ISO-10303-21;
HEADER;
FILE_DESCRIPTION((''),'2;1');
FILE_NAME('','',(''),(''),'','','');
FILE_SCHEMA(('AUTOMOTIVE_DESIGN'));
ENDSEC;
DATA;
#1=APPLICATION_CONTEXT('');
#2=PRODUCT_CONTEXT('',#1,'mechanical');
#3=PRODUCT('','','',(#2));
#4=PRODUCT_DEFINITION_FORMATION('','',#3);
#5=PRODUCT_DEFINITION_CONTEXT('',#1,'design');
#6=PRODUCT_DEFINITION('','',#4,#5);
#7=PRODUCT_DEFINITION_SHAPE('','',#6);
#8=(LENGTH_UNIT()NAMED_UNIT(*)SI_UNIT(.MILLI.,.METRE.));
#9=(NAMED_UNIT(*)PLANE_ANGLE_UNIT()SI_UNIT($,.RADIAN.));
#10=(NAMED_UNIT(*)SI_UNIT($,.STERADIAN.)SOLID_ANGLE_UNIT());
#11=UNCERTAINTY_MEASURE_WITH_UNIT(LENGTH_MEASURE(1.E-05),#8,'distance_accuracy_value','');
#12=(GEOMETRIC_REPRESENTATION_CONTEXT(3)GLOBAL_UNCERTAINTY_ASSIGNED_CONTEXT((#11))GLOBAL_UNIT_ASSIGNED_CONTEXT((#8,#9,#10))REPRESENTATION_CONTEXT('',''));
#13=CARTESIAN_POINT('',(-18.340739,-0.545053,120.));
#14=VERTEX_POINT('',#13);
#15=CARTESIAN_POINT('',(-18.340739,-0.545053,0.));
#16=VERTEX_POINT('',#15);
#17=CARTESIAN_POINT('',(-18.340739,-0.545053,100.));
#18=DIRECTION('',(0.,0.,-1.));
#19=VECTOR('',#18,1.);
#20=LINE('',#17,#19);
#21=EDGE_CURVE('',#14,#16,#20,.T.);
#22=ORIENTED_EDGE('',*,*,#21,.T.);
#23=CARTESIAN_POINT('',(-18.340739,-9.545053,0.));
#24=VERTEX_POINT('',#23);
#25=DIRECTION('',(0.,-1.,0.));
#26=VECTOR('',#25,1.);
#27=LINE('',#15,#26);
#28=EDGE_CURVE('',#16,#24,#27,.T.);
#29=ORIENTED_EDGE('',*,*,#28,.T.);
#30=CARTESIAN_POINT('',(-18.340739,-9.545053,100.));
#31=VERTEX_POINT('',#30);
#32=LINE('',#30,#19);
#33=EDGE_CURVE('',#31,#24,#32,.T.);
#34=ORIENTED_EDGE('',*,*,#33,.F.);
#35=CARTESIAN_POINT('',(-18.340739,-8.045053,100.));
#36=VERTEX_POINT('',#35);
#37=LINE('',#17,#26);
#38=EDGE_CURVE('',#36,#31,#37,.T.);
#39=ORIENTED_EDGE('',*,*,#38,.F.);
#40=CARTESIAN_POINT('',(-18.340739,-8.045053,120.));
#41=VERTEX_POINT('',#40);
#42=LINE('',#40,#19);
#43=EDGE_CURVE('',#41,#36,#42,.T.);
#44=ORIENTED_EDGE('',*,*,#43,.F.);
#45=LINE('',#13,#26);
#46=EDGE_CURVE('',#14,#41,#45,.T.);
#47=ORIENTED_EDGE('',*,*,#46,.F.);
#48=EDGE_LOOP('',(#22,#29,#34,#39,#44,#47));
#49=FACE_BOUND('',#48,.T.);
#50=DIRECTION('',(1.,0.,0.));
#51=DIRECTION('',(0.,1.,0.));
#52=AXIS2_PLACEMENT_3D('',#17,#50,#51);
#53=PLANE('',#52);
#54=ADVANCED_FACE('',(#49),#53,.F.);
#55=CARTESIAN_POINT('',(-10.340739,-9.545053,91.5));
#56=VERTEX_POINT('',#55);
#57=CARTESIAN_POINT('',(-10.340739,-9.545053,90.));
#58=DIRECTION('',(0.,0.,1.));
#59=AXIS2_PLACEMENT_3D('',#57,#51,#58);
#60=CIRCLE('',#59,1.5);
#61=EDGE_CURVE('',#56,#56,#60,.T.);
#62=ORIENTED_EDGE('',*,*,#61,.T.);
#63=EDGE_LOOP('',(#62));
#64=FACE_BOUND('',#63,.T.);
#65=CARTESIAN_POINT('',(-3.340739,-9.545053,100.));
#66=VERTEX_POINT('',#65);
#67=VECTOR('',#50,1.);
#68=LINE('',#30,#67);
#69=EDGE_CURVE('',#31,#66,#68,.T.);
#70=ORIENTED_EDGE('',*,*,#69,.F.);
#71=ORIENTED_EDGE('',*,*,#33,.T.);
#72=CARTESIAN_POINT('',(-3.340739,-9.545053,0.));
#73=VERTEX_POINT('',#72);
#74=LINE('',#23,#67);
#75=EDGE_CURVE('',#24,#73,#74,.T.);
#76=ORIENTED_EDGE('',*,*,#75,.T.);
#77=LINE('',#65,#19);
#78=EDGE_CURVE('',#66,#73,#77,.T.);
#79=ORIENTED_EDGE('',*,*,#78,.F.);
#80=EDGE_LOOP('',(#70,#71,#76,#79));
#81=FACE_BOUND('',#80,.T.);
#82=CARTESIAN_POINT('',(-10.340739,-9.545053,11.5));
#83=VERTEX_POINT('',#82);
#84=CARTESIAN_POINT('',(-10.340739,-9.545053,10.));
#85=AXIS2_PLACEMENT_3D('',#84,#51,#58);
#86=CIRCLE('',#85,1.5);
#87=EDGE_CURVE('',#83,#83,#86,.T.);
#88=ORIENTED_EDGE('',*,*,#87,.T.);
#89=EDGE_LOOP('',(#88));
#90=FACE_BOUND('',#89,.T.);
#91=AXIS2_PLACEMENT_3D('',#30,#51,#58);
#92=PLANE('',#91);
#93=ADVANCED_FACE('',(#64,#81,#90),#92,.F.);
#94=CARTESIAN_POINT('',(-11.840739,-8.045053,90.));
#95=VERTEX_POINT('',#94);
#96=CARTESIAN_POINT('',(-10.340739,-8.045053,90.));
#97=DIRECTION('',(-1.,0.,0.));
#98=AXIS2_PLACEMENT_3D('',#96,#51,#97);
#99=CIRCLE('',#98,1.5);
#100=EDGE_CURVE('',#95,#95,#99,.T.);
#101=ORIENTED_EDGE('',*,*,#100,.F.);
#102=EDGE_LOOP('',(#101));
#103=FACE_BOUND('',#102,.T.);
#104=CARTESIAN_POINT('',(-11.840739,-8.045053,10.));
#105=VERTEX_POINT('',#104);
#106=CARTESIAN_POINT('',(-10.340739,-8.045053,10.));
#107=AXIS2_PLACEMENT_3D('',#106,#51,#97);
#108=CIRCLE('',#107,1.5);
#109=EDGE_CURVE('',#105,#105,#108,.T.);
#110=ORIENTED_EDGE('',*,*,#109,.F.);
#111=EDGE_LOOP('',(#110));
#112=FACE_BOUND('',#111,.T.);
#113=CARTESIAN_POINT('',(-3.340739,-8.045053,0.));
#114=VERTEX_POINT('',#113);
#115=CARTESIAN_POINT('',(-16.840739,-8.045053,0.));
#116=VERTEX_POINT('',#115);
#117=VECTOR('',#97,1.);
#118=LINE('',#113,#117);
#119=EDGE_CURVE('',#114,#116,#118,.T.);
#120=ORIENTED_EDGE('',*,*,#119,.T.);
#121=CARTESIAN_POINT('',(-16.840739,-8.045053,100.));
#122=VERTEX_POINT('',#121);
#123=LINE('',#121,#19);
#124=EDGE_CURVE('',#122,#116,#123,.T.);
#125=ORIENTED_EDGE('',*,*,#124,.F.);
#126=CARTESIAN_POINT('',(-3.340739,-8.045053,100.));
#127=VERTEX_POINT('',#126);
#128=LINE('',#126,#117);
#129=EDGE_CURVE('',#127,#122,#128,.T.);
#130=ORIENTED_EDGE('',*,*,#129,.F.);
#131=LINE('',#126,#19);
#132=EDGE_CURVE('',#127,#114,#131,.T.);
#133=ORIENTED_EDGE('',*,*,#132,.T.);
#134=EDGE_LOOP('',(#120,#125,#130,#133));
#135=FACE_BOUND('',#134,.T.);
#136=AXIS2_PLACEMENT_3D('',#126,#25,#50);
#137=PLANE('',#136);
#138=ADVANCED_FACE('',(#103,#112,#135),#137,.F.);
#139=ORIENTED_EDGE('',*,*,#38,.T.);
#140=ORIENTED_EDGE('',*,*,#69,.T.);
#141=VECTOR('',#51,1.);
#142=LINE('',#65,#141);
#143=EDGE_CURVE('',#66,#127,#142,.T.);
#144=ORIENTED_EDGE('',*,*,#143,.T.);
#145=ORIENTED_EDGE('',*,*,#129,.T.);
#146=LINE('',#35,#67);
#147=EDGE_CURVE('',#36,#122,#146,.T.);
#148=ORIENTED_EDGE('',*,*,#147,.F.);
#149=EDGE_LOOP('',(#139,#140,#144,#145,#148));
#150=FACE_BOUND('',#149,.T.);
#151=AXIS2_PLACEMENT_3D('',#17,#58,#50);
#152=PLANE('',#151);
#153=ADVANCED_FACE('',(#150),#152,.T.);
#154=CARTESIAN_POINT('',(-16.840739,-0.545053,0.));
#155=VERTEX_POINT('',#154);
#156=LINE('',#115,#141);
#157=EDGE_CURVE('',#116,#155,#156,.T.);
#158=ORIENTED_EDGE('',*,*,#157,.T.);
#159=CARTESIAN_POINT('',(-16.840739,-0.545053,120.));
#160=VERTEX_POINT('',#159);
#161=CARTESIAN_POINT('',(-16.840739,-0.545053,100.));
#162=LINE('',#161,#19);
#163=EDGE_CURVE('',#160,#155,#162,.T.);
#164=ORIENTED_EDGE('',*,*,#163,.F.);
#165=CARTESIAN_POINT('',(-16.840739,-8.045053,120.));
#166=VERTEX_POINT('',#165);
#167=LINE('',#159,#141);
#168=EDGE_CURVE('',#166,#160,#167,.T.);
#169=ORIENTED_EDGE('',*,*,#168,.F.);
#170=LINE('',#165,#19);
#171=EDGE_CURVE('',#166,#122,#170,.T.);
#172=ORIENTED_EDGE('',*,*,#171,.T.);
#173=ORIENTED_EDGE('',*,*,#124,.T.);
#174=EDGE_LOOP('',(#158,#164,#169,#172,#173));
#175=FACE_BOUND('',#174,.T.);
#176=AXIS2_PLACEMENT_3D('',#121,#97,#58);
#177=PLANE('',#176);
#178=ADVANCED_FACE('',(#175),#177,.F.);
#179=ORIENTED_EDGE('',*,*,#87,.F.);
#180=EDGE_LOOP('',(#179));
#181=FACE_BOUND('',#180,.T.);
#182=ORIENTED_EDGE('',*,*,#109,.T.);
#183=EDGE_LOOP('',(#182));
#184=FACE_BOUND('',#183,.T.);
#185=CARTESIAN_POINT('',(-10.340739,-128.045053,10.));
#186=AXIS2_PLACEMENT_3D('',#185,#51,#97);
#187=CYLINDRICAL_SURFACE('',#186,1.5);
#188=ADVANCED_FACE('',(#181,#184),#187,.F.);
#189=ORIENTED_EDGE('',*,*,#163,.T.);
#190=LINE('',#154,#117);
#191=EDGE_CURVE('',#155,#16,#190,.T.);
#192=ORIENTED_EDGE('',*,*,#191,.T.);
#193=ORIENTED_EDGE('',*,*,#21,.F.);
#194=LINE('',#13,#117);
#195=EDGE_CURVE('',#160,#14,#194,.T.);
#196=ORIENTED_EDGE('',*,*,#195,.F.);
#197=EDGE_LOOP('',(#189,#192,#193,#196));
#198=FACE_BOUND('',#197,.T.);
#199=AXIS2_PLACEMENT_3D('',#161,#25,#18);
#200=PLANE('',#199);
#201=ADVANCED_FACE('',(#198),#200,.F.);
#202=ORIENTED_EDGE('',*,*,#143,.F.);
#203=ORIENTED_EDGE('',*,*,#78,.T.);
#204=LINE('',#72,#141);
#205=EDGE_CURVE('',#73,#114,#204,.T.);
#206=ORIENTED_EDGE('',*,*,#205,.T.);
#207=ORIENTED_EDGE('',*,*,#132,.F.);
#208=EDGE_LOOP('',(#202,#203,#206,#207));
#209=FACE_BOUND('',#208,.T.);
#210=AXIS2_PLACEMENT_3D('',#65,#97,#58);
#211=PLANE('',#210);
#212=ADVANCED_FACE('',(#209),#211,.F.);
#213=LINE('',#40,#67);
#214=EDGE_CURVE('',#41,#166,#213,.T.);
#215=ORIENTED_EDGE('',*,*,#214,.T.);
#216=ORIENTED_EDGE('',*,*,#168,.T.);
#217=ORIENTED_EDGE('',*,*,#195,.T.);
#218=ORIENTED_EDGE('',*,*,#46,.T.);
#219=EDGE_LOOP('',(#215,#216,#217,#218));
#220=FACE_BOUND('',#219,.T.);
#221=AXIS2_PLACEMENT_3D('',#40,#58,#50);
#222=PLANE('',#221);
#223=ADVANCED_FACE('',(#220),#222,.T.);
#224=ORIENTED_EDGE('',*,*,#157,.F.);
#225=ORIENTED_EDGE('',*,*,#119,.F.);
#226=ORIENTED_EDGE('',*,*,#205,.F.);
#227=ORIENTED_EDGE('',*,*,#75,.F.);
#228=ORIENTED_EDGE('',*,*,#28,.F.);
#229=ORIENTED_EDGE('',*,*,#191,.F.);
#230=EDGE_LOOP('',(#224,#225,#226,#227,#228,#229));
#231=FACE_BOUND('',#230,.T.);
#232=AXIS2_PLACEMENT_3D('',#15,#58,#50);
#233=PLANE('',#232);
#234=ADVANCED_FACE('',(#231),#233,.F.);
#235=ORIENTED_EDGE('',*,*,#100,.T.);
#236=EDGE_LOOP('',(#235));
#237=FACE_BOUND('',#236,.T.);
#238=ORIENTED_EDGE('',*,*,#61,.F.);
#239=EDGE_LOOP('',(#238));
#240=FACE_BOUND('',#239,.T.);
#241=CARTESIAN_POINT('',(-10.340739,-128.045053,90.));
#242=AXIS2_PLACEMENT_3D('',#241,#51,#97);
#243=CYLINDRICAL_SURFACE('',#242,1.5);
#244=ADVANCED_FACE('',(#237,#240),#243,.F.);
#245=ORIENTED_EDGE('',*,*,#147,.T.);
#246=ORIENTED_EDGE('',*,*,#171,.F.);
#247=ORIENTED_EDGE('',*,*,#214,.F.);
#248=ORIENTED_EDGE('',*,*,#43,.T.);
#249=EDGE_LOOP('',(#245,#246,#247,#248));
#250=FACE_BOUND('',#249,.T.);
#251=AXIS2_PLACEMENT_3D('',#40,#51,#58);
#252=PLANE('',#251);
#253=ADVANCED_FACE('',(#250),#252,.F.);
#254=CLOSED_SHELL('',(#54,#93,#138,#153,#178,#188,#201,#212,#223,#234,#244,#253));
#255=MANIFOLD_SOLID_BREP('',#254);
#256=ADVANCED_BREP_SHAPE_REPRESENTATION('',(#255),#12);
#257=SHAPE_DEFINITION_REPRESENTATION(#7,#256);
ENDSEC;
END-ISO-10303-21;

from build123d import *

# Parameters (mm, degrees)
EXTRUSION1_DEPTH = 100
ESQUISSE2_R      = 1.5
EXTRUSION2_DEPTH = 120
ESQUISSE3_W      = 1.5
ESQUISSE3_H      = 7.5
EXTRUSION3_DEPTH = 20


with BuildPart() as part:
    # Esquisse1 → Extrusion1 (new body)
    with BuildSketch(Plane.XY):
        Polygon((-18.340739011, -0.545052632), (-18.340739011, -9.545052632), (-3.340739011, -9.545052632), (-3.340739011, -8.045052632), (-16.840739011, -8.045052632), (-16.840739011, -0.545052632), align=None)
    extrude(amount=EXTRUSION1_DEPTH)

    # Esquisse2 → Extrusion2 (cut)
    with BuildSketch(Plane(origin=(0, -8.045052632, 0), x_dir=(-1, 0, 0), z_dir=(0, 1, 0))):
        with Locations((10.340739011, 90)):
            Circle(ESQUISSE2_R)
        with Locations((10.340739011, 10)):
            Circle(ESQUISSE2_R)
    extrude(amount=-EXTRUSION2_DEPTH, mode=Mode.SUBTRACT)

    # Esquisse3 → Extrusion3 (add)
    with BuildSketch(Plane.XY.offset(100)):
        with Locations((-17.590739011, -4.295052632)):
            Rectangle(ESQUISSE3_W, ESQUISSE3_H)
    extrude(amount=EXTRUSION3_DEPTH)


solid = part.part
